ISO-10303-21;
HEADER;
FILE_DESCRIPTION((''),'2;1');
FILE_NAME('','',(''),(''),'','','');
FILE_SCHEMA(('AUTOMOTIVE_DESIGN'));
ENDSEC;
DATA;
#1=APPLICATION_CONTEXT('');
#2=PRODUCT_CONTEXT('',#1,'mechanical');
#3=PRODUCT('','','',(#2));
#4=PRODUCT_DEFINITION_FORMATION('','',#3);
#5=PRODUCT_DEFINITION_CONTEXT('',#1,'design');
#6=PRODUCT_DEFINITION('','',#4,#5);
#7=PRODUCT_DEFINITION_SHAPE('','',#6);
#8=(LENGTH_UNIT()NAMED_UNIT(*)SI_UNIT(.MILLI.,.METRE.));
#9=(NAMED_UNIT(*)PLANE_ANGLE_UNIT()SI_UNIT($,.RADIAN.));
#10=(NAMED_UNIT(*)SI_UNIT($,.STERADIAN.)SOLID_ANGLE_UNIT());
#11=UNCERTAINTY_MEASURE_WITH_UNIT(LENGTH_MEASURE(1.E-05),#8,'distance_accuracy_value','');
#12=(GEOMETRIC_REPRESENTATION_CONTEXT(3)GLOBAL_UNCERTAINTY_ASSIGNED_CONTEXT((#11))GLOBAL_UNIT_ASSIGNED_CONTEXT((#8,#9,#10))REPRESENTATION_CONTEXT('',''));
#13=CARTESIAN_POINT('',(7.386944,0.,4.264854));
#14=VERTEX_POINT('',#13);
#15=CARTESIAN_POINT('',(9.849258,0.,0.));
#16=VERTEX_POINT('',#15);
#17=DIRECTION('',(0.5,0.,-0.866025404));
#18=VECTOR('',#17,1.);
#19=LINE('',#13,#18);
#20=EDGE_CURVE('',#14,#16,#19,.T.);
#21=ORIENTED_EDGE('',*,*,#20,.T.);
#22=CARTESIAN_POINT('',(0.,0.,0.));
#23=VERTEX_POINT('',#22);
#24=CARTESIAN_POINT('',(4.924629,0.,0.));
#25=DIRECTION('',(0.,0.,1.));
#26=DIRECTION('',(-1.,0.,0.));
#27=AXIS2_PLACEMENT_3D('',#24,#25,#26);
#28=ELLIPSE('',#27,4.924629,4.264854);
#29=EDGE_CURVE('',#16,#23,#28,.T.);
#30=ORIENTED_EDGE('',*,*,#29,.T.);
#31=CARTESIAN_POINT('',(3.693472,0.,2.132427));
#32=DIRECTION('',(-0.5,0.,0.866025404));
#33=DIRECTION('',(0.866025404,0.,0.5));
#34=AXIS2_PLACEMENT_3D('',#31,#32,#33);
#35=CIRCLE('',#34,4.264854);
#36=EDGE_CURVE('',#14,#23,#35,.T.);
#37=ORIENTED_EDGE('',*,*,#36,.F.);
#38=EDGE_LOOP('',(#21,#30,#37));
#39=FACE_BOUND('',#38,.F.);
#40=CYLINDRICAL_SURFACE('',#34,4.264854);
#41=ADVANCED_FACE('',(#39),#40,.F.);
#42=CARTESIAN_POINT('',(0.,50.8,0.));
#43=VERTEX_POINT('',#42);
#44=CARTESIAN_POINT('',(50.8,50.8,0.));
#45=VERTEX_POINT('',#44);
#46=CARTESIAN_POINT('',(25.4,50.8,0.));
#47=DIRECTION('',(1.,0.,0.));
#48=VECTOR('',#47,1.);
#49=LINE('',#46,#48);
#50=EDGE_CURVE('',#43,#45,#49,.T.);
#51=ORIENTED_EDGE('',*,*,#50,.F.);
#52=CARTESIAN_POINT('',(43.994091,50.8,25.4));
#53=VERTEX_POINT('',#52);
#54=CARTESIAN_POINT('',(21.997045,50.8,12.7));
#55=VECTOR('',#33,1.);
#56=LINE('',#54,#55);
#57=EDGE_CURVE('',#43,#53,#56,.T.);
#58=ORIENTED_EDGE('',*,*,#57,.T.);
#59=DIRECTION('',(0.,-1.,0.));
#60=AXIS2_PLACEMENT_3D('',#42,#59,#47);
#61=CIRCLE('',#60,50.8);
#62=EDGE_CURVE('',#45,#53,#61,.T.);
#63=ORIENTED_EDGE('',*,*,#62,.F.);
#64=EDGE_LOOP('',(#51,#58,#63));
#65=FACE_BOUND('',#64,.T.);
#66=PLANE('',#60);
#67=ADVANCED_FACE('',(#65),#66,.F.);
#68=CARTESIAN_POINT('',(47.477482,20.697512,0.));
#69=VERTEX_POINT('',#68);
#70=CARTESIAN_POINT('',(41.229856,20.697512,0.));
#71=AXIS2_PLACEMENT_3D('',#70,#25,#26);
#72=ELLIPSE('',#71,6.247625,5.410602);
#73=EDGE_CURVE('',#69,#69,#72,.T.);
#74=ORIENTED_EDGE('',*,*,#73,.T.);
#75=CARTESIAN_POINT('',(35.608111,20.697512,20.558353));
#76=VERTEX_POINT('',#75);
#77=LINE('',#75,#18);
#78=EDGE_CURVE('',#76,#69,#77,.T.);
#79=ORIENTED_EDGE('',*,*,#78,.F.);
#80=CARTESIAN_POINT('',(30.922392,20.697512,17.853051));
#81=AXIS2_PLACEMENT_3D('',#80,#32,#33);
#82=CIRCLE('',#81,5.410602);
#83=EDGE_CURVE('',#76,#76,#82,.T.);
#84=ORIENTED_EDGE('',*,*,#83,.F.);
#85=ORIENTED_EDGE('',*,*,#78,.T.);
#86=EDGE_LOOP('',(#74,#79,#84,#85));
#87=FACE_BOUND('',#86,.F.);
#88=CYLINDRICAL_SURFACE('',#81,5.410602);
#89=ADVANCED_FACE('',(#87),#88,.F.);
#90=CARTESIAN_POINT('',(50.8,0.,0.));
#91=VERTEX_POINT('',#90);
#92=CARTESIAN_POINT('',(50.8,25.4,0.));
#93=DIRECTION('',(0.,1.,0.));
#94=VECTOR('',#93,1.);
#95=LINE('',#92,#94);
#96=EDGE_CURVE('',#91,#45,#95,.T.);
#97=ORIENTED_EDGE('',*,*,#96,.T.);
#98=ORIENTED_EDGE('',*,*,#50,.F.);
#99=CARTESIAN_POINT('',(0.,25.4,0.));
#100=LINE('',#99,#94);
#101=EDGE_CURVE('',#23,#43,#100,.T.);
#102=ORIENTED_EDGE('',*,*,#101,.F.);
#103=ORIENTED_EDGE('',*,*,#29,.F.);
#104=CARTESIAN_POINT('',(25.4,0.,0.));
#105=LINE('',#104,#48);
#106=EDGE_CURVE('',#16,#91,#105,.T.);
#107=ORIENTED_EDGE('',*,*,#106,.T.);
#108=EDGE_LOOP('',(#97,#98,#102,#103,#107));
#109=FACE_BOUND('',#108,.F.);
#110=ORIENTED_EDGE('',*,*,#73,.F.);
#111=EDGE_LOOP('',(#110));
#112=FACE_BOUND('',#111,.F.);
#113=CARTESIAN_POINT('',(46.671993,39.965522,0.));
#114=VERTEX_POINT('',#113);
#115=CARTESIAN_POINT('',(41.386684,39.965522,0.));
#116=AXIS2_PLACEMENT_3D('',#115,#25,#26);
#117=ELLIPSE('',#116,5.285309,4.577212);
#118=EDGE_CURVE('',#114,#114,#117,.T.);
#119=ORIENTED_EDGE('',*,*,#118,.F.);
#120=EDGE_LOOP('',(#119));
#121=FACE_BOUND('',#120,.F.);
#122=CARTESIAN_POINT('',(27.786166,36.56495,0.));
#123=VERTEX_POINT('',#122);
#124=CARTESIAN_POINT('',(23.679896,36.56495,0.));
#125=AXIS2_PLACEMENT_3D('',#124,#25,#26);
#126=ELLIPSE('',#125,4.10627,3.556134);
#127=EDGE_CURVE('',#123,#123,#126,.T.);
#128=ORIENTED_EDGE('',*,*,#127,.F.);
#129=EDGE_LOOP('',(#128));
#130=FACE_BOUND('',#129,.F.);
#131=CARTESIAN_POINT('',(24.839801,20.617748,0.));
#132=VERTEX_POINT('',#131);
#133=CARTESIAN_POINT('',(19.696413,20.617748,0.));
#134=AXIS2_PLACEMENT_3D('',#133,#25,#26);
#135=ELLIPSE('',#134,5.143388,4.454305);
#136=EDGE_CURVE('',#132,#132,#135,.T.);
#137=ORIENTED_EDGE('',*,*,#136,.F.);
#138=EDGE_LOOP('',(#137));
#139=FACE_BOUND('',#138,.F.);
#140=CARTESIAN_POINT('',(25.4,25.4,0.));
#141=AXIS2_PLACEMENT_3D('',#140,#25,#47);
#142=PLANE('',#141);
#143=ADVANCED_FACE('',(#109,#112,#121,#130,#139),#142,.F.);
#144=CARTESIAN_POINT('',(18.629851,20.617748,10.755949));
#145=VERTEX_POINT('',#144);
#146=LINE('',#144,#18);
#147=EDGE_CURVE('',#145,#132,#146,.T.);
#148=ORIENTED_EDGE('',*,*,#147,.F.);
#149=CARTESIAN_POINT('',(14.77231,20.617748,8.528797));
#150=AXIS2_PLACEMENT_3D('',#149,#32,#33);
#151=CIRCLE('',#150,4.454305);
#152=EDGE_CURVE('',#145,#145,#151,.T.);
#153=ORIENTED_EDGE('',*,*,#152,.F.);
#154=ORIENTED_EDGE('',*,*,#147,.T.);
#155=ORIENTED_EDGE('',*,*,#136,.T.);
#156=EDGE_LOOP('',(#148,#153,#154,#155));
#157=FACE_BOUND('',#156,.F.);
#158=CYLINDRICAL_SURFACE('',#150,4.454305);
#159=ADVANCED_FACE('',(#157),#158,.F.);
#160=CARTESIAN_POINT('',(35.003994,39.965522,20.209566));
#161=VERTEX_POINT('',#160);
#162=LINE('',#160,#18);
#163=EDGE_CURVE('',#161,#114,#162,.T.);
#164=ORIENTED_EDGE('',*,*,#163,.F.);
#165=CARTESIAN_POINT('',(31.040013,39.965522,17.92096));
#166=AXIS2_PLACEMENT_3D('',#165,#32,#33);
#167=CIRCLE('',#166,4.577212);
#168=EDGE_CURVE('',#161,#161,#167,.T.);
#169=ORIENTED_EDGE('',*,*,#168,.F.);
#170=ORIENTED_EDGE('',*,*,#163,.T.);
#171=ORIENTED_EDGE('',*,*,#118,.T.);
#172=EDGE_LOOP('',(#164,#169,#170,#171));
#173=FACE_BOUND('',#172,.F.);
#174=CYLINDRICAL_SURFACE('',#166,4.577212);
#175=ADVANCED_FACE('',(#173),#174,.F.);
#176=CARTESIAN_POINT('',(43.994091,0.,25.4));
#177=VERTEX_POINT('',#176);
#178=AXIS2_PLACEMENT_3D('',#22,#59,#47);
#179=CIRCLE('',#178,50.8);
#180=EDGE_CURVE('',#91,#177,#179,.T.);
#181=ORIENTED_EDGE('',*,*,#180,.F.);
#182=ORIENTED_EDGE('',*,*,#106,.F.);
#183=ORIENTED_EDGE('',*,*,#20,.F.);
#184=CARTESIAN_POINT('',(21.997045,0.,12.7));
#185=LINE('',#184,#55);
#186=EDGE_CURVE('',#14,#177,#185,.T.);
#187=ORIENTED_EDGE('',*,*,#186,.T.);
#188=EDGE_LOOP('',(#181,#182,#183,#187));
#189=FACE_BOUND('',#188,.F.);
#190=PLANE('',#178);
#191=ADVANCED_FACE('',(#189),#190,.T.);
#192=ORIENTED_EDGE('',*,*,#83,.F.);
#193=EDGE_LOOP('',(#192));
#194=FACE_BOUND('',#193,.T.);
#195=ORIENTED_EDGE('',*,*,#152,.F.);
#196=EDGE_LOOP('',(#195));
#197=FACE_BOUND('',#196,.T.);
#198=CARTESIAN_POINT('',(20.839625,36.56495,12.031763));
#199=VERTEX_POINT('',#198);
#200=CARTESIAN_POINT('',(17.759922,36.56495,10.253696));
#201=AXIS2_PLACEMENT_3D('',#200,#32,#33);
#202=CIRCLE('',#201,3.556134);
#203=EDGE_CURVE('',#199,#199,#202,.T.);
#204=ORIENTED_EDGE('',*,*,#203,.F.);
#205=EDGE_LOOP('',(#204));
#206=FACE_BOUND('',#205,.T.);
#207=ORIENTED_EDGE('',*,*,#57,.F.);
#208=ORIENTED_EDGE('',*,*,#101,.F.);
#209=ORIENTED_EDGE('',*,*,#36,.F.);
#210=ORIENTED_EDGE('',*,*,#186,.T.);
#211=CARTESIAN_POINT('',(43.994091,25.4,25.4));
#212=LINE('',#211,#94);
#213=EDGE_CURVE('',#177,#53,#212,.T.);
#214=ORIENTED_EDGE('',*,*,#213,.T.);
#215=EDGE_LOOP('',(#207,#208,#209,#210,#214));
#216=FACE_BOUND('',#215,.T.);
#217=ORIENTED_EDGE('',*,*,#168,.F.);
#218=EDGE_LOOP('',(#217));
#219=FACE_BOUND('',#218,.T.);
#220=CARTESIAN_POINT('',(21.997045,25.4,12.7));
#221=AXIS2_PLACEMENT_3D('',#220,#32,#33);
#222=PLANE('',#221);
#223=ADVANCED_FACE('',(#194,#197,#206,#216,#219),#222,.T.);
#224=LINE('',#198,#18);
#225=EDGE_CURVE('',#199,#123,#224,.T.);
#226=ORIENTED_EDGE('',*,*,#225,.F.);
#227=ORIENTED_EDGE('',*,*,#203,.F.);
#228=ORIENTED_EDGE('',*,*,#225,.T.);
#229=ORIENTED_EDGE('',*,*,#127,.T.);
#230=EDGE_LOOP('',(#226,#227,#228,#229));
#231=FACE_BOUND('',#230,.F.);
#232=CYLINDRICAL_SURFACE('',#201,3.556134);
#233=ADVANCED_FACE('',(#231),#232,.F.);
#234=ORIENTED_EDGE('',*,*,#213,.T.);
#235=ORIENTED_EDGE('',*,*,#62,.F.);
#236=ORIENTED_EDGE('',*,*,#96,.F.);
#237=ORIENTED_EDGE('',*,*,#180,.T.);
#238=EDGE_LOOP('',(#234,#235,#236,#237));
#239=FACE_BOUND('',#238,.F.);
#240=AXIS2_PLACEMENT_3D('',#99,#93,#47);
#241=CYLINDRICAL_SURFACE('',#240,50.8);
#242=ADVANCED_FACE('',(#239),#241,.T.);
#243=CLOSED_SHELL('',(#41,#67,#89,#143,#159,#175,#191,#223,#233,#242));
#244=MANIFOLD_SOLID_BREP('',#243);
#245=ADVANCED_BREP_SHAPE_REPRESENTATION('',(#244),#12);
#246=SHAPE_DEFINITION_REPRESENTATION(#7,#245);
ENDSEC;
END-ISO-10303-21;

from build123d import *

# Parameters (mm, degrees)
F0_W     = 50.8
F0_H     = 50.8
F2_ANGLE = 30
F3_R     = 4.4543047917
F3_R_2   = 5.4106023653
F3_R_3   = 3.5561341864
F3_R_4   = 4.2648538947
F3_R_5   = 4.5772117107
F4_DEPTH = 25.4


with BuildPart() as f2:
    # F0 (on Top) → F2 (revolve)
    with BuildSketch(Plane.XY):
        with Locations((25.4, 25.4)):
            Rectangle(F0_W, F0_H)
    revolve(axis=Axis((0, 33.1785790622, 0), (0, -1, 0)), revolution_arc=F2_ANGLE)

    # F3 (on face) → F4 (cut)
    with BuildSketch(Plane(origin=(0, 0, 0), x_dir=(0.8660254038, 0, 0.5), z_dir=(-0.5, 0, 0.8660254038))):
        with Locations((17.0575939119, 20.6177476794)):
            Circle(F3_R)
        with Locations((35.7061028481, 20.6975117326)):
            Circle(F3_R_2)
        with Locations((20.5073915422, 36.5649498999)):
            Circle(F3_R_3)
        with Locations((4.2648538947, 0)):
            Circle(F3_R_4)
        with Locations((35.8419194818, 39.9655215442)):
            Circle(F3_R_5)
    extrude(amount=-F4_DEPTH, mode=Mode.SUBTRACT)


solid = f2.part
